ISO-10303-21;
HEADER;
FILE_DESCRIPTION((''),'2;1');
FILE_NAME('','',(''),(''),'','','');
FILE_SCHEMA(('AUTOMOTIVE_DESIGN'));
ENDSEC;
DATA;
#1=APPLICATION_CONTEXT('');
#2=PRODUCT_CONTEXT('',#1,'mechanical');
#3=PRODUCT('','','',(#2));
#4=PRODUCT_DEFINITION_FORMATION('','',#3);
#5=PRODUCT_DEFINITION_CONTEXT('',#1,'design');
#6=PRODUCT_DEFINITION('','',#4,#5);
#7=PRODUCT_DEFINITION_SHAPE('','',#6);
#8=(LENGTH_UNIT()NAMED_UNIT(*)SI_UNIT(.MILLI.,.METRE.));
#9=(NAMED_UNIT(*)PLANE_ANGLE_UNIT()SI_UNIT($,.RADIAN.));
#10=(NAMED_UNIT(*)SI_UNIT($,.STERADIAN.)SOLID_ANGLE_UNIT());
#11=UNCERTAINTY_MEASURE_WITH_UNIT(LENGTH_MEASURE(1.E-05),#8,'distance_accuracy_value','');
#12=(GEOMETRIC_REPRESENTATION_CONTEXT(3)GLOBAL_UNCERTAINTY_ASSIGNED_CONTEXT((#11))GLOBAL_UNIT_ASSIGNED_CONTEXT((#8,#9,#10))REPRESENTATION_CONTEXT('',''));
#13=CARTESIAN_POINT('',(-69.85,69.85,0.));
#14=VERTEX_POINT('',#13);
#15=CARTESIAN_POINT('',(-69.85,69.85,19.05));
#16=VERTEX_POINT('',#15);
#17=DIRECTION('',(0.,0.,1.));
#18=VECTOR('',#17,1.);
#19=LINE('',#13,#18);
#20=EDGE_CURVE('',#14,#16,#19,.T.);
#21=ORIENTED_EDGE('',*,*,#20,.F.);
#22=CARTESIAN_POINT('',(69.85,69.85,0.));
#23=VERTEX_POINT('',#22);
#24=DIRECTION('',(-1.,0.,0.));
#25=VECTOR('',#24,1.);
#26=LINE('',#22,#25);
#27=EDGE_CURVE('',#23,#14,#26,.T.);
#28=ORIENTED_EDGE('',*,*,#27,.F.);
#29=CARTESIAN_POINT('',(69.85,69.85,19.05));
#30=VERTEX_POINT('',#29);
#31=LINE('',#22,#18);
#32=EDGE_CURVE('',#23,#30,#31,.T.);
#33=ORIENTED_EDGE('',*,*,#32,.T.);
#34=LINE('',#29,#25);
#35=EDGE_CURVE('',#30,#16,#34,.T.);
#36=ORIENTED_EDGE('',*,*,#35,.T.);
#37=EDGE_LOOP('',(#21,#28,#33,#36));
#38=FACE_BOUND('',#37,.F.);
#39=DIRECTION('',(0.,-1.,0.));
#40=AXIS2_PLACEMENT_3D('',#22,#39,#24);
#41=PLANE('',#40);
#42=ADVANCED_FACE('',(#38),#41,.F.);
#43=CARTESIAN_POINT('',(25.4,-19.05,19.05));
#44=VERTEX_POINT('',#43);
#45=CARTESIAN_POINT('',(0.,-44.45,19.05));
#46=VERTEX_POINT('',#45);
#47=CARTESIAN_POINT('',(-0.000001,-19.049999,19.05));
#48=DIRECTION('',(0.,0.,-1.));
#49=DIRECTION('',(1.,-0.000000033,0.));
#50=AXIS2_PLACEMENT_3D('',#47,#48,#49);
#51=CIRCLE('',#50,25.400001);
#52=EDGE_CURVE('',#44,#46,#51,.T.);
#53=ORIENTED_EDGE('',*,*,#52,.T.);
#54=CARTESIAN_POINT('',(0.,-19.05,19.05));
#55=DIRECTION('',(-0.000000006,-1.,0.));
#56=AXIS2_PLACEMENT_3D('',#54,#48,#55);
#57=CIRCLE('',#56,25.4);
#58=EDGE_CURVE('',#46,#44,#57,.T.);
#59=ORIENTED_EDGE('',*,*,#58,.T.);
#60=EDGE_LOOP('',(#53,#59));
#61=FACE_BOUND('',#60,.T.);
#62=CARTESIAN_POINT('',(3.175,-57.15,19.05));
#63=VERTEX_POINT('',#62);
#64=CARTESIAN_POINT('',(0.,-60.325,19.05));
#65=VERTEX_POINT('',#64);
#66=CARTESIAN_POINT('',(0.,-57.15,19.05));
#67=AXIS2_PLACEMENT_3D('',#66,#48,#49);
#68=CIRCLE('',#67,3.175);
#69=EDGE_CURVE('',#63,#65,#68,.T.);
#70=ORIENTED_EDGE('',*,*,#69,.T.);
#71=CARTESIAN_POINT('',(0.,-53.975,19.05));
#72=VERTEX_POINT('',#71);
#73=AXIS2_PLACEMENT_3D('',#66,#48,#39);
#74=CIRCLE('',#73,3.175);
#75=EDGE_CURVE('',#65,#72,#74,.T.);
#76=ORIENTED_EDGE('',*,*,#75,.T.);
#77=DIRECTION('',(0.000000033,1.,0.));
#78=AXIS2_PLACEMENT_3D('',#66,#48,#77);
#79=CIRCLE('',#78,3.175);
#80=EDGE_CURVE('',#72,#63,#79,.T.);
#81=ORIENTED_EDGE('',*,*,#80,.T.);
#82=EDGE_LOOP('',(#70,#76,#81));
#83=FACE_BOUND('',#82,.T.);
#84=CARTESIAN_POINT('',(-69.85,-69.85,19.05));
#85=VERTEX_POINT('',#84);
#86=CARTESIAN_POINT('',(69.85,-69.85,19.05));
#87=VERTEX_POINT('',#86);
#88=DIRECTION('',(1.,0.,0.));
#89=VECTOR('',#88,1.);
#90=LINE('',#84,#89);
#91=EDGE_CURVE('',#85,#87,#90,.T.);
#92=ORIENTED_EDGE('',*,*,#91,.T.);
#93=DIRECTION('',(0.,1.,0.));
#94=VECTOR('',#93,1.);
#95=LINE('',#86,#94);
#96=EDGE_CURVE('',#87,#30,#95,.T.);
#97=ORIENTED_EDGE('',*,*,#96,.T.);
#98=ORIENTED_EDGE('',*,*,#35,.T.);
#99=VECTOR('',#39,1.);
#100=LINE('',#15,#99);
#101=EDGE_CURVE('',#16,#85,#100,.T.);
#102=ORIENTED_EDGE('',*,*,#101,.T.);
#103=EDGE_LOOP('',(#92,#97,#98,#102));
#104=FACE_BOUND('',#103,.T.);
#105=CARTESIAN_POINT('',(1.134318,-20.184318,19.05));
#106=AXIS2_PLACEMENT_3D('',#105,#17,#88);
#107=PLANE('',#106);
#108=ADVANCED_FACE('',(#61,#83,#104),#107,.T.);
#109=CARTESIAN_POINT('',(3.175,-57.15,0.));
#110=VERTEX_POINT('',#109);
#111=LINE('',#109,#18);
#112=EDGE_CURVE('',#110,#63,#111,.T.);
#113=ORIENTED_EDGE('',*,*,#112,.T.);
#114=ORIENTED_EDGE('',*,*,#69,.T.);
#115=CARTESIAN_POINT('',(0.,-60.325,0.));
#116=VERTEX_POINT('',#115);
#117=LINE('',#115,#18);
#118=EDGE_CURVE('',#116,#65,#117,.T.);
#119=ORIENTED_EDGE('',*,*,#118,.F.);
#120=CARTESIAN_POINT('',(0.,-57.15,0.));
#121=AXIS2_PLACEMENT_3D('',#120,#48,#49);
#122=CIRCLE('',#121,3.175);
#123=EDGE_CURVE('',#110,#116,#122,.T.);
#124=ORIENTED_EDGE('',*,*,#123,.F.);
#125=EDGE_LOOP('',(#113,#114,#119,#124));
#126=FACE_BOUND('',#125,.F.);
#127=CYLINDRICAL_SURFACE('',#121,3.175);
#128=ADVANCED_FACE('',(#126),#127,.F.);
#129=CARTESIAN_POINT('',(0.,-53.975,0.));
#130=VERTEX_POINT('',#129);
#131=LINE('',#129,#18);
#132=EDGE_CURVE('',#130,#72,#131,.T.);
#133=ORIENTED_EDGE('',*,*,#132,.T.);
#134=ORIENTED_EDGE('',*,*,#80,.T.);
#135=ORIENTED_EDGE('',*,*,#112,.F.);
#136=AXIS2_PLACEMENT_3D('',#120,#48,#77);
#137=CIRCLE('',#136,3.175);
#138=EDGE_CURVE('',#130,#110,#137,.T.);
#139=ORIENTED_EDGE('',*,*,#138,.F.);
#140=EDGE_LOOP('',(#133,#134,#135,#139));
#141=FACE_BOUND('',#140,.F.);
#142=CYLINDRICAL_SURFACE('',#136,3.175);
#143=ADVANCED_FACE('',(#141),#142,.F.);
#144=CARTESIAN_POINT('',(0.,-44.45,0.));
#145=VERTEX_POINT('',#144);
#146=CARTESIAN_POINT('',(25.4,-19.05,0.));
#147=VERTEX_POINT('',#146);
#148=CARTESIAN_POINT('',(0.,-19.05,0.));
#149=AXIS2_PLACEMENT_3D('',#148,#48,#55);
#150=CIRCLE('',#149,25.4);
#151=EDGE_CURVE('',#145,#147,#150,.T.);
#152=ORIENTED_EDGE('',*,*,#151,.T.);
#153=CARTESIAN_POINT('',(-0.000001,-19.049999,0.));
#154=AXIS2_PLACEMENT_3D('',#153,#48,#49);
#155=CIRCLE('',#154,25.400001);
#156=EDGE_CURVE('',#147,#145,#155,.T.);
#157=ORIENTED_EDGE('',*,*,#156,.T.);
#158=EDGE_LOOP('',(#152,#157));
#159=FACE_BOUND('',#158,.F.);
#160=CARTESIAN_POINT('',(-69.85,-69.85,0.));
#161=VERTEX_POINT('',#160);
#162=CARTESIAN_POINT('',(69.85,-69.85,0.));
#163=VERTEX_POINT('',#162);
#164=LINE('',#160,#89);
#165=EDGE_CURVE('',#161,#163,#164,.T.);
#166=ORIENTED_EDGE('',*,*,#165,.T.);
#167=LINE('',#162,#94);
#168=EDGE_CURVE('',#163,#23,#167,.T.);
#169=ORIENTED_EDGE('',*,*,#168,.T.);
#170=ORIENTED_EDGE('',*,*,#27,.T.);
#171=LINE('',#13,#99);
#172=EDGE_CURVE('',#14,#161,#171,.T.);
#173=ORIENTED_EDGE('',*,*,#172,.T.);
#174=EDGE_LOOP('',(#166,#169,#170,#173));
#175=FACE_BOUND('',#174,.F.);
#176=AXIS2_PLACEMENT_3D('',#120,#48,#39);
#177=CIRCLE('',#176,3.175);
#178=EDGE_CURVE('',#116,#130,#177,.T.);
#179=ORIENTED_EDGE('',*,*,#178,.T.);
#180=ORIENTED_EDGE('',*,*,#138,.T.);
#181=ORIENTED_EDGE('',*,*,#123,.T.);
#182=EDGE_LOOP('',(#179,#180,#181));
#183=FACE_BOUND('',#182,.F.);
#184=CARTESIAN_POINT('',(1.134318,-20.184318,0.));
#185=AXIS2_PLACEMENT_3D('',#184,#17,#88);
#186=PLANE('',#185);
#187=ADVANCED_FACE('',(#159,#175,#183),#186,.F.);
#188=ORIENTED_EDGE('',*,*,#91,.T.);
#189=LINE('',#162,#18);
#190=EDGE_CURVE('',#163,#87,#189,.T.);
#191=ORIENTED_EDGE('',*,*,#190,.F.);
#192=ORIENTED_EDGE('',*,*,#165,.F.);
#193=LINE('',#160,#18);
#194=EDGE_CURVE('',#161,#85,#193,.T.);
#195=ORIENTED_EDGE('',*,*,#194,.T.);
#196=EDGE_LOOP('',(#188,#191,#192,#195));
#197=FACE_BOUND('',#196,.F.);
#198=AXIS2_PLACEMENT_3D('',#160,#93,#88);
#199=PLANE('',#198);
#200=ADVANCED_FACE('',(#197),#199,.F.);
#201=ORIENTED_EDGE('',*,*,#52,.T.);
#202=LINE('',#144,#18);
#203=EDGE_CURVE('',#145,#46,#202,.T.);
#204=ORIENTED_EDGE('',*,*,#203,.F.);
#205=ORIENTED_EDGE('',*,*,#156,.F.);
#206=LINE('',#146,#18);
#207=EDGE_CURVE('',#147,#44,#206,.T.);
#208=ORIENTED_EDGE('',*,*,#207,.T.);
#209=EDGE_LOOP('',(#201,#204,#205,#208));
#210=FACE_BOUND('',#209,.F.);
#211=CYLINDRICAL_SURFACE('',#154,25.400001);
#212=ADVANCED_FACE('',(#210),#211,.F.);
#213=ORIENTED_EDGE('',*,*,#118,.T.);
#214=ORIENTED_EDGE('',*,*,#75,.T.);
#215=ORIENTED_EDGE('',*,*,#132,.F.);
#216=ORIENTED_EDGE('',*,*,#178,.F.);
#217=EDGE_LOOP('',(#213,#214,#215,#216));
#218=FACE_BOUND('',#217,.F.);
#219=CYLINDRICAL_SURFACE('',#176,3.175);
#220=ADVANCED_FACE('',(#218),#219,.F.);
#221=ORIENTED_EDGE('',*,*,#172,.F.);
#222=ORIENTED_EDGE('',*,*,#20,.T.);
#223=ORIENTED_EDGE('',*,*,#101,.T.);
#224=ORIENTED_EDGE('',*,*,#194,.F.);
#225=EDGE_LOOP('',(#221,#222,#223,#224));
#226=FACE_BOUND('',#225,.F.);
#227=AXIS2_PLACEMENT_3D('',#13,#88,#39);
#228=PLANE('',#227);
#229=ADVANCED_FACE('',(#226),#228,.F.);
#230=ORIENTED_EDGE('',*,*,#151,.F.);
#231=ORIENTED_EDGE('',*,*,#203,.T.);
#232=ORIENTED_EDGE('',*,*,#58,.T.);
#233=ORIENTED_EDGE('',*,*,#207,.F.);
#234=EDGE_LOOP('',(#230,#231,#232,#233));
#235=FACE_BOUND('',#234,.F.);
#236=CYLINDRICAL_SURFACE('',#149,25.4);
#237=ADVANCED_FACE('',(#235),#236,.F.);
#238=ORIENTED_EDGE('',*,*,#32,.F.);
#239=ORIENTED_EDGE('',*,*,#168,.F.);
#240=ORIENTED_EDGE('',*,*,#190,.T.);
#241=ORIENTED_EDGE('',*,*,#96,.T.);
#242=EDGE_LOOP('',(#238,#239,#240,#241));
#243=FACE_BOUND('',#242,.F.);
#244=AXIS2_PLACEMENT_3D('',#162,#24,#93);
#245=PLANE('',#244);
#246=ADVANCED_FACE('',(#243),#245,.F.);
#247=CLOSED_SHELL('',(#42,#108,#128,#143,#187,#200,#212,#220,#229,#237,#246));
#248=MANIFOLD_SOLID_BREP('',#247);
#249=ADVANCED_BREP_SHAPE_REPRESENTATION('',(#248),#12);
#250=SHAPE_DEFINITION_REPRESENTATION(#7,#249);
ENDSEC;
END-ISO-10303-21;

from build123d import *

# Parameters (mm, degrees)
F1_DEPTH = 19.05


with BuildPart() as f1:
    # F0 (on Top) → F1 (new body)
    with BuildSketch(Plane.XY):
        with BuildLine():
            ThreePointArc((25.4, -19.05), (-17.960512, -1.089488), (0, -44.45))
            ThreePointArc((0, -44.45), (17.960512, -37.010512), (25.4, -19.05))
        make_face()
        Polygon((-69.85, 69.85), (-69.85, -69.85), (0, -69.85), (69.85, -69.85), (69.85, 69.85), align=None)
        with BuildLine():
            ThreePointArc((3.175, -57.15), (2.245064, -59.395064), (0, -60.325))
            ThreePointArc((0, -60.325), (-3.175, -57.15), (0, -53.975))
            ThreePointArc((0, -53.975), (2.245064, -54.904936), (3.175, -57.15))
        make_face(mode=Mode.SUBTRACT)
        with BuildLine():
            ThreePointArc((25.4, -19.05), (17.960512, -37.010512), (0, -44.45))
            ThreePointArc((0, -44.45), (-17.960512, -1.089488), (25.4, -19.05))
        make_face(mode=Mode.SUBTRACT)
    extrude(amount=F1_DEPTH)


solid = f1.part
